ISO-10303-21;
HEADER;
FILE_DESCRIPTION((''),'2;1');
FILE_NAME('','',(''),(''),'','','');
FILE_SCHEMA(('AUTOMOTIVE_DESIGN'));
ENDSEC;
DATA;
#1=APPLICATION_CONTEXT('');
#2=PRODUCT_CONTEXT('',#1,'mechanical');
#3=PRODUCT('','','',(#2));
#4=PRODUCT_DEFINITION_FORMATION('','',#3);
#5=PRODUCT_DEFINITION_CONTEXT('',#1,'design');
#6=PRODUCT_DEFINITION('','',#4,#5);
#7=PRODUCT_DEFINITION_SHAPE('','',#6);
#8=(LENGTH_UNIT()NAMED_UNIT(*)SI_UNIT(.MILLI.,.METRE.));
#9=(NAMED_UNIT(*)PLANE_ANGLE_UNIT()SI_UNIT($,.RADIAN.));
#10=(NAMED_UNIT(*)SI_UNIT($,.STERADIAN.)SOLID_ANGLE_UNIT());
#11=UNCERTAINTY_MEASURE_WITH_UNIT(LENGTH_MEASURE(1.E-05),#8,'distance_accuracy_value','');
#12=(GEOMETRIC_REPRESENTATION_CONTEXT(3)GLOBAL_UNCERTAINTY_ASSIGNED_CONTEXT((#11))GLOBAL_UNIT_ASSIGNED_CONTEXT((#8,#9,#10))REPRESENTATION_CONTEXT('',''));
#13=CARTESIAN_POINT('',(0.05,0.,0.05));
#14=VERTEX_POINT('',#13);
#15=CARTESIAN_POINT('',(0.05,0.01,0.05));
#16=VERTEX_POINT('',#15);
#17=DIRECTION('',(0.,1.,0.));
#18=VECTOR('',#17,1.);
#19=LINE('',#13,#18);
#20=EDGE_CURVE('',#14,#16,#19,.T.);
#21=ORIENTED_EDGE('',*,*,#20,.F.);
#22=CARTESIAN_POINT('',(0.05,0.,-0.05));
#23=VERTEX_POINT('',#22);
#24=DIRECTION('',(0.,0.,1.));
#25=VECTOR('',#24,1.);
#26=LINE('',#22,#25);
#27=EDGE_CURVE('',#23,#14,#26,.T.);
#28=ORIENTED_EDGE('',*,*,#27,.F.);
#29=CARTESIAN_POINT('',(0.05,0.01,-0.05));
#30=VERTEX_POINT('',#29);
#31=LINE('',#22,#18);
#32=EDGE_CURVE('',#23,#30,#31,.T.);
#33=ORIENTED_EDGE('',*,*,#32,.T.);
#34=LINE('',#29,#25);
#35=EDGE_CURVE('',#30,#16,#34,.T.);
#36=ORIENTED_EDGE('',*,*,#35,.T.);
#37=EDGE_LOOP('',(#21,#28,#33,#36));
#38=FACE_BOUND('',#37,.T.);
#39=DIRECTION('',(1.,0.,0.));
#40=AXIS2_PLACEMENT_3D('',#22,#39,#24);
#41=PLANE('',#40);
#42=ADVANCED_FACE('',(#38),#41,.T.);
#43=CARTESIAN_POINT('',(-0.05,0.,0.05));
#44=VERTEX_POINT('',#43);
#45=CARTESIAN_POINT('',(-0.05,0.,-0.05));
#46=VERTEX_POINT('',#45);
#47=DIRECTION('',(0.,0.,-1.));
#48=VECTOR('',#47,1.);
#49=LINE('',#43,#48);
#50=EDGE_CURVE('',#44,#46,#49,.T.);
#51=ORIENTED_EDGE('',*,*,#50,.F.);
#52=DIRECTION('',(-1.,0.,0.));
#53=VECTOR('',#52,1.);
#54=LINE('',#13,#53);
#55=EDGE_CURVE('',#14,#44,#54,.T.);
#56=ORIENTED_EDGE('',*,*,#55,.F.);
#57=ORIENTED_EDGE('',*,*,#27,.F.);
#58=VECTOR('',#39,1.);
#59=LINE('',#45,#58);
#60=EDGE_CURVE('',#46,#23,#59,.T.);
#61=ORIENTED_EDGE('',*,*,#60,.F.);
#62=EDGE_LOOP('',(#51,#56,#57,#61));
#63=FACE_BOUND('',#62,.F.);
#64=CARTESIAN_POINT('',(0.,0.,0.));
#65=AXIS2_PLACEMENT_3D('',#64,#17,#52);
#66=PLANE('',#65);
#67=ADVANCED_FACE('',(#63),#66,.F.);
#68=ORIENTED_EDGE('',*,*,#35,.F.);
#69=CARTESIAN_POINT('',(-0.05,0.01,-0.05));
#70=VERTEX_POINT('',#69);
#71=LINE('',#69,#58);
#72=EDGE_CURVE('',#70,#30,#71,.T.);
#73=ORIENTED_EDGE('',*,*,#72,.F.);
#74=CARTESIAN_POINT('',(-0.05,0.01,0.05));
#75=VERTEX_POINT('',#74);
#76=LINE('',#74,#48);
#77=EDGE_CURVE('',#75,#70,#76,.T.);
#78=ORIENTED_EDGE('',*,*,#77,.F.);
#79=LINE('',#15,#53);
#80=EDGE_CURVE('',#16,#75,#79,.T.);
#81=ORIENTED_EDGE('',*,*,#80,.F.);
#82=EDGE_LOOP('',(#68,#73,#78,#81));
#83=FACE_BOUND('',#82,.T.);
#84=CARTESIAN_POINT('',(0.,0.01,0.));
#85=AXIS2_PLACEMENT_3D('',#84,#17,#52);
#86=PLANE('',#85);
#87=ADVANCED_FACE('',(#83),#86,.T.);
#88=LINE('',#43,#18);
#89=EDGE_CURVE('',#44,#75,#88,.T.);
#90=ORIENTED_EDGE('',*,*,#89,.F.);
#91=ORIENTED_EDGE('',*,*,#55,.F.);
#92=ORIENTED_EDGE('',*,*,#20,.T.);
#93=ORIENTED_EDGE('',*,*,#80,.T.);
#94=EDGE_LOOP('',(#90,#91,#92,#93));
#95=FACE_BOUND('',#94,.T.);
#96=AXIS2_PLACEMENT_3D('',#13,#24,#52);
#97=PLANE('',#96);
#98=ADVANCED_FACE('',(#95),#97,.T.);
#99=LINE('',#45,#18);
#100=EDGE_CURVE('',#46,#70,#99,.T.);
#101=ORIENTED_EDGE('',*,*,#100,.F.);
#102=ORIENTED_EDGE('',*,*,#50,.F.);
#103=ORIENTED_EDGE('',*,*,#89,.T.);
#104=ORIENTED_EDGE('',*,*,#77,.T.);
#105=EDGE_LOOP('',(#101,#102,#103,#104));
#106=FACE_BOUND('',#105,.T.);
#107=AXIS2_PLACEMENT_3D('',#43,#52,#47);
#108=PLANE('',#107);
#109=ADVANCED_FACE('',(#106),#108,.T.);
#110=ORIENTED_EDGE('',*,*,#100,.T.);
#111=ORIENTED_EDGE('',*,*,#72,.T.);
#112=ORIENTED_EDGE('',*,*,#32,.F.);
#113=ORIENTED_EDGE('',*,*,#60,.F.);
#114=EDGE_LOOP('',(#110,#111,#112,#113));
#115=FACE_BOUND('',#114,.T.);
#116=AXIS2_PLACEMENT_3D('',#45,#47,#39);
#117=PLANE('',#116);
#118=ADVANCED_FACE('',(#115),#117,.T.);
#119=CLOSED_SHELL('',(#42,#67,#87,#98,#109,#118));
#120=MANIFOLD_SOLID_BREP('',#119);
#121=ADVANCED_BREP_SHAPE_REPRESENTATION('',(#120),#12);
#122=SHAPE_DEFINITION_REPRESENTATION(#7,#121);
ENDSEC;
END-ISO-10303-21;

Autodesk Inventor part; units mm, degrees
ref_plane "YZ Plane" through (0, 0, 0) normal (1, 0, 0) x (0, 1, 0)
ref_plane "XZ Plane" through (0, 0, 0) normal (0, 1, 0) x (-1, 0, 0)
ref_plane "XY Plane" through (0, 0, 0) normal (0, 0, 1) x (1, 0, 0)
sketch "Boceto1" plane through (0, 0, 0) normal (0, 1, 0) x (-1, 0, 0)
  line L0 (-0.05, 0.05) -> (0.05, 0.05)
  line L1 (0.05, 0.05) -> (0.05, -0.05)
  line L2 (0.05, -0.05) -> (-0.05, -0.05)
  line L3 (-0.05, -0.05) -> (-0.05, 0.05)
  line L4 (-0.05, 0.05) -> (0.05, -0.05) construction
  line L5 (0.05, 0.05) -> (-0.05, -0.05) construction
  point P0 (0, 0)
  dimension "d0" = 0.1
  dimension "d1" = 0.1
extrude "Extrusión1" add sketch "Boceto1" along normal blind 0.01
properties part number "Aux2"
